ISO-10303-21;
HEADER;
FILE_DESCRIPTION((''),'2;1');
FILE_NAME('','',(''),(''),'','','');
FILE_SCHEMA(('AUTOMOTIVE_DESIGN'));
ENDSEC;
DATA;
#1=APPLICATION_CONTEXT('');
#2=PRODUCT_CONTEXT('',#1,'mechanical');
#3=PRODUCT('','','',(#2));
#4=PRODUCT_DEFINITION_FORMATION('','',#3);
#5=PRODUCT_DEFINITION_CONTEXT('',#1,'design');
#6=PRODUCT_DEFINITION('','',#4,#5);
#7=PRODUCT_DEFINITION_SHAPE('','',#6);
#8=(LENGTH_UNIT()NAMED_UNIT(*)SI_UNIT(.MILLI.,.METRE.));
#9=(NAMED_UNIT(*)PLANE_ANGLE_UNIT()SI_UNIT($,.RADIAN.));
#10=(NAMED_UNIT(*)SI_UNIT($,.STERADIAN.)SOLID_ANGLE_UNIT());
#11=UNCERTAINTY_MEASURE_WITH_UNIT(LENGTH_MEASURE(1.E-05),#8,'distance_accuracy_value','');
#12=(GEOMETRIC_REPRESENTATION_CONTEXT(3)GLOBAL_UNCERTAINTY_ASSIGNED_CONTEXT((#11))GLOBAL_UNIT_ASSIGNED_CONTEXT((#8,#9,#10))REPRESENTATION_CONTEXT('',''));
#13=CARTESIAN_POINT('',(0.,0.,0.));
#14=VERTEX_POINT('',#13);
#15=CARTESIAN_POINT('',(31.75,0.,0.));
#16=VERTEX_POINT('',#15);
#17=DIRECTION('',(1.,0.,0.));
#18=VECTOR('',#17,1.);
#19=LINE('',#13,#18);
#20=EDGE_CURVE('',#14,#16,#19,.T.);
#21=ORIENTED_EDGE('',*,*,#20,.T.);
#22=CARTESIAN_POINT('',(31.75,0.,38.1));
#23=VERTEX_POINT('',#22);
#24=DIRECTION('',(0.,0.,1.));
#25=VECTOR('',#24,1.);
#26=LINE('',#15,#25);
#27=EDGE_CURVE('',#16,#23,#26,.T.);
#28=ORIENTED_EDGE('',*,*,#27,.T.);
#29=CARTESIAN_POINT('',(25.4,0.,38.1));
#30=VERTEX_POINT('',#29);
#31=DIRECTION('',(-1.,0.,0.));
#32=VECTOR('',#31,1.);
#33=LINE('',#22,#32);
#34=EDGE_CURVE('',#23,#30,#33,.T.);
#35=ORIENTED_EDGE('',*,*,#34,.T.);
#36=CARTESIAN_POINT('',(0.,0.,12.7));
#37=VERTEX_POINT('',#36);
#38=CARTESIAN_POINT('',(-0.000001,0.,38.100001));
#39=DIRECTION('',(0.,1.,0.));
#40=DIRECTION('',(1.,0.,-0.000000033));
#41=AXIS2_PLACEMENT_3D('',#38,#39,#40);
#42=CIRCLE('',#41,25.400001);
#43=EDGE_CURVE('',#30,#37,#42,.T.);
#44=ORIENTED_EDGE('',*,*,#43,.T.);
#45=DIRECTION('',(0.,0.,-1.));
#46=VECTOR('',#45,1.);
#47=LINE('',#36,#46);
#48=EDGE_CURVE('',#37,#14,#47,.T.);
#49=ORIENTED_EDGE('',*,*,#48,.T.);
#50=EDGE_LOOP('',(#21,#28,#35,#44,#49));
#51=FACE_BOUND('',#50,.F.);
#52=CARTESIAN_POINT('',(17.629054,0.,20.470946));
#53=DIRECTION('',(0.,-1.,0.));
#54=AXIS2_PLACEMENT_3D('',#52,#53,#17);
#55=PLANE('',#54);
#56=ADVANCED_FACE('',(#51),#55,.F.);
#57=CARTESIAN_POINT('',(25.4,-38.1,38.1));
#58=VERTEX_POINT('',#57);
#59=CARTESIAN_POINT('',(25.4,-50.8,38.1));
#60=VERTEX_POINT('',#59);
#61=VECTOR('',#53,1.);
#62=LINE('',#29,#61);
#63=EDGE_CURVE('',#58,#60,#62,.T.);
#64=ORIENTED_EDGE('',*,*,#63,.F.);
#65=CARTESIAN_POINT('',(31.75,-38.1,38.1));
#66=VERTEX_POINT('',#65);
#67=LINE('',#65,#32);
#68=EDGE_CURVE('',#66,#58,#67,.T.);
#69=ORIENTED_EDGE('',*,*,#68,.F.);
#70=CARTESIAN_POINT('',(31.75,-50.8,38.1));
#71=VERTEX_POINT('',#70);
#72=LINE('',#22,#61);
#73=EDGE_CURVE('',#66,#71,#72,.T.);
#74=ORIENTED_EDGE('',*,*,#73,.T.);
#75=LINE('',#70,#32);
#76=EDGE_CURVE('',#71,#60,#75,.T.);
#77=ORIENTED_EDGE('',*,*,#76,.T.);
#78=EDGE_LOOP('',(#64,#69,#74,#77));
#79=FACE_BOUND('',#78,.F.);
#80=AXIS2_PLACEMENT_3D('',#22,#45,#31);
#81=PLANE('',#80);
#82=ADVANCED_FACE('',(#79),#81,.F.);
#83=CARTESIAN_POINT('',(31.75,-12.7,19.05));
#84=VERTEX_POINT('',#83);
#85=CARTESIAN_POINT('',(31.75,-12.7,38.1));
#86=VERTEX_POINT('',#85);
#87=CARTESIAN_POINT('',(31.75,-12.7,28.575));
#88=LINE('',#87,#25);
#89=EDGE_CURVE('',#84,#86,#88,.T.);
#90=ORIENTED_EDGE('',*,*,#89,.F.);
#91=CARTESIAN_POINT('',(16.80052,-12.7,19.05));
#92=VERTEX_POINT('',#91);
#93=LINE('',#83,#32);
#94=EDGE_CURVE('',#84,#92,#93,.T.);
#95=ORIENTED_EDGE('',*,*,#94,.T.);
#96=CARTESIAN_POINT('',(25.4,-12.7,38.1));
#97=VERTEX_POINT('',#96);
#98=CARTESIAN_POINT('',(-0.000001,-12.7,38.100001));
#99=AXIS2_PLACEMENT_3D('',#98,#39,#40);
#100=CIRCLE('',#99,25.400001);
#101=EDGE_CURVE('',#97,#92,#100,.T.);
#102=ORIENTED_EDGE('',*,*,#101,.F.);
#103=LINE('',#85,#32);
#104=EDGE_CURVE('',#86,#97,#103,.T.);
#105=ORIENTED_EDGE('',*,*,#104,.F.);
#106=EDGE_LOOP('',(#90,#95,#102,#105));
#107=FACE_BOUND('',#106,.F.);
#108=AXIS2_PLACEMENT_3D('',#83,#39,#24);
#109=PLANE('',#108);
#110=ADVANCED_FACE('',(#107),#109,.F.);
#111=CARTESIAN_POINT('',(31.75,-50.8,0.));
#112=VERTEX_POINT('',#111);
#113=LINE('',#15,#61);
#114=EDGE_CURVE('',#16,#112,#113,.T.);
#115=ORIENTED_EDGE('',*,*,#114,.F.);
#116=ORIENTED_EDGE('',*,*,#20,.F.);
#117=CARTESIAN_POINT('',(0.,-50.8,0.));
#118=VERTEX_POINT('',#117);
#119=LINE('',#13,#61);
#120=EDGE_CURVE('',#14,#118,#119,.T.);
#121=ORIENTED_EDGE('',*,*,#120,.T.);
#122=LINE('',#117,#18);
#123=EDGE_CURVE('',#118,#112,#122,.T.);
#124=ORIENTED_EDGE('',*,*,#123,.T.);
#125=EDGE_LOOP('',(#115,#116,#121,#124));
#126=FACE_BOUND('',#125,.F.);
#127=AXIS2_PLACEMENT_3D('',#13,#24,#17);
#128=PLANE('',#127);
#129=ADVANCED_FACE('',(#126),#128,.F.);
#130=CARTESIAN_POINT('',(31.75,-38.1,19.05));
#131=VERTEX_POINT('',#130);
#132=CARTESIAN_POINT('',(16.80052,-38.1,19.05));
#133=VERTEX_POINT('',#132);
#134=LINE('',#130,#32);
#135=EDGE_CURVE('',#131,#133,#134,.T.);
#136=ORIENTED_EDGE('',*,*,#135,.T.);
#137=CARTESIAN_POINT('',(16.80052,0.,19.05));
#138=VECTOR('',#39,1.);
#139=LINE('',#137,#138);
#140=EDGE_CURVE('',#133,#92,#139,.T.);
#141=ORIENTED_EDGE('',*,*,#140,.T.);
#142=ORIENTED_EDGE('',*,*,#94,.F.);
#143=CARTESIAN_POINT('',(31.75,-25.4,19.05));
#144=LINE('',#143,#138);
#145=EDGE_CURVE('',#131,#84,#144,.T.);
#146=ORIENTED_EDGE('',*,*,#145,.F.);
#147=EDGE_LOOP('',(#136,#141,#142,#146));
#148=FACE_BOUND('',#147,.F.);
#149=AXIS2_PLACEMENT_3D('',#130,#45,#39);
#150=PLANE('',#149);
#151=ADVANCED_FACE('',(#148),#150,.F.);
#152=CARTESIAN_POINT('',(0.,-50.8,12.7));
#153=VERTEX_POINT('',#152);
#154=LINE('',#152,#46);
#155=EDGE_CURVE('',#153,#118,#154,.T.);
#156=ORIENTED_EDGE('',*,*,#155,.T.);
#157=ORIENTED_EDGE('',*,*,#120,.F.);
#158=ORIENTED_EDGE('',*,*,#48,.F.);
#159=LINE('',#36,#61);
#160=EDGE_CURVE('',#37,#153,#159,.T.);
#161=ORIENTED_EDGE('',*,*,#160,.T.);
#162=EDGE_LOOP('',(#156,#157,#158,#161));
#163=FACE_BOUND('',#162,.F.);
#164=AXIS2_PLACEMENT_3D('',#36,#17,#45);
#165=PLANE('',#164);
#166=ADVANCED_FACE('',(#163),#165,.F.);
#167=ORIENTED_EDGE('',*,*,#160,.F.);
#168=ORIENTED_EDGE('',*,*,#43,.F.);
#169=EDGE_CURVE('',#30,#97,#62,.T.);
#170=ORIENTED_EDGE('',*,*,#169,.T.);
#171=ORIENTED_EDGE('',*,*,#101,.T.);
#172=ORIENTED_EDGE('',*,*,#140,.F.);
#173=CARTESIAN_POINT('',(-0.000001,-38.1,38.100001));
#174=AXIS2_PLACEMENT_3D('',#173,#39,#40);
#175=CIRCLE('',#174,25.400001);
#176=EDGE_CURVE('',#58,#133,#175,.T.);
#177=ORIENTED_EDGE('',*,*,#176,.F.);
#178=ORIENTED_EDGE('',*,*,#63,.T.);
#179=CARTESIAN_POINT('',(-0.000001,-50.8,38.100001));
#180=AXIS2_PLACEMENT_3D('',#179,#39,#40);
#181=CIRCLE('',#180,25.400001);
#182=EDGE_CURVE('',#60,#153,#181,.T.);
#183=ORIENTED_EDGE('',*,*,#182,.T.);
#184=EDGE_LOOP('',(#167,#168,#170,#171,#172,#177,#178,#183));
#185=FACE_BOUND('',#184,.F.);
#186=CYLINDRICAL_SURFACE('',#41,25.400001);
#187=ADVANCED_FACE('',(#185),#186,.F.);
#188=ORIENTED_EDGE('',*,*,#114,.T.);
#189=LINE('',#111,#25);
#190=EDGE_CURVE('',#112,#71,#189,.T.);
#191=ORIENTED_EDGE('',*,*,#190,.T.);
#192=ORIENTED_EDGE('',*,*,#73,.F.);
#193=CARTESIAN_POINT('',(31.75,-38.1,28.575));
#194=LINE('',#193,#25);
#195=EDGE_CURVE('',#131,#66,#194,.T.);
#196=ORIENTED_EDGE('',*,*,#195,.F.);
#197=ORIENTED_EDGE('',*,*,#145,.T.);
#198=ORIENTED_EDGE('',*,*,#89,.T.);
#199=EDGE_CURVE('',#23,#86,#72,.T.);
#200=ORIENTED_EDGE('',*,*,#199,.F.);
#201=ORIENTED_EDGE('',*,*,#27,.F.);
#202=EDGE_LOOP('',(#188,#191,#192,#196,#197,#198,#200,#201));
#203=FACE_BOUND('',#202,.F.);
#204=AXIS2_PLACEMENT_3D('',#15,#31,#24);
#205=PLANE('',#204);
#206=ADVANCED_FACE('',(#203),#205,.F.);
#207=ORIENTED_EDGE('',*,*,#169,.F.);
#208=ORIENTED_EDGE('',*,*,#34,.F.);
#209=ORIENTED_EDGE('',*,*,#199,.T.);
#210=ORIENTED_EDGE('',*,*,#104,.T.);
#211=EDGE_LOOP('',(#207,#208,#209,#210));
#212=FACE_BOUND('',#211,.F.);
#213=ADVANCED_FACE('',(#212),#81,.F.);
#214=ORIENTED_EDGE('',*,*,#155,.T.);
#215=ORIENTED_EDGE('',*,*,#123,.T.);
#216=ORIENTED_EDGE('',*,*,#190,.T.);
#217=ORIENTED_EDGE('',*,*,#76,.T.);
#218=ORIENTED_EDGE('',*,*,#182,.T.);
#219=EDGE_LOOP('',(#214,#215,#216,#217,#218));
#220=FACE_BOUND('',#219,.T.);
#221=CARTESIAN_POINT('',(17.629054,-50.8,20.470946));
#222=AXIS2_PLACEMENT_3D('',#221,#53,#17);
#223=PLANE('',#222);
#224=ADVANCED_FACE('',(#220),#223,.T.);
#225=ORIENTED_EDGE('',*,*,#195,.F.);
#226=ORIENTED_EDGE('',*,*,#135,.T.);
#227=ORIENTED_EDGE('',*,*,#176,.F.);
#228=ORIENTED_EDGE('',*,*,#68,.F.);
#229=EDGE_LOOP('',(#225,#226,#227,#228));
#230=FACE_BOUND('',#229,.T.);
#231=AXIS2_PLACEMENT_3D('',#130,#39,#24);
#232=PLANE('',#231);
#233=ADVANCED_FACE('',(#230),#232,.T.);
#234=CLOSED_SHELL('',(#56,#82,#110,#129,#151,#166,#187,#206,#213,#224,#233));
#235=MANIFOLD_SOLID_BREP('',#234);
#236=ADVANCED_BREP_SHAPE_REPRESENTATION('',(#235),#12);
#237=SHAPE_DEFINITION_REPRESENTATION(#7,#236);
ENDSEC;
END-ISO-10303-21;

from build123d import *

# Parameters (mm, degrees)
F1_DEPTH = 50.8
F2_W     = 25.4
F2_H     = 19.05
F3_DEPTH = 25.4


with BuildPart() as f1:
    # F0 (on Front) → F1 (new body)
    with BuildSketch(Plane.XZ):
        with BuildLine():
            ThreePointArc((25.4, 38.1), (17.960512, 20.139488), (0, 12.7))
            Line((0, 12.7), (25.4, 12.7))
            Line((25.4, 12.7), (25.4, 38.1))
        make_face()
        Polygon((0, 12.7), (0, 0), (31.75, 0), (31.75, 38.1), (25.4, 38.1), (25.4, 12.7), align=None)
    extrude(amount=F1_DEPTH)

    # F2 (on face) → F3 (cut)
    with BuildSketch(Plane.YZ.offset(31.75)):
        with Locations((-25.4, 28.575)):
            Rectangle(F2_W, F2_H)
    extrude(amount=-F3_DEPTH, mode=Mode.SUBTRACT)


solid = f1.part
